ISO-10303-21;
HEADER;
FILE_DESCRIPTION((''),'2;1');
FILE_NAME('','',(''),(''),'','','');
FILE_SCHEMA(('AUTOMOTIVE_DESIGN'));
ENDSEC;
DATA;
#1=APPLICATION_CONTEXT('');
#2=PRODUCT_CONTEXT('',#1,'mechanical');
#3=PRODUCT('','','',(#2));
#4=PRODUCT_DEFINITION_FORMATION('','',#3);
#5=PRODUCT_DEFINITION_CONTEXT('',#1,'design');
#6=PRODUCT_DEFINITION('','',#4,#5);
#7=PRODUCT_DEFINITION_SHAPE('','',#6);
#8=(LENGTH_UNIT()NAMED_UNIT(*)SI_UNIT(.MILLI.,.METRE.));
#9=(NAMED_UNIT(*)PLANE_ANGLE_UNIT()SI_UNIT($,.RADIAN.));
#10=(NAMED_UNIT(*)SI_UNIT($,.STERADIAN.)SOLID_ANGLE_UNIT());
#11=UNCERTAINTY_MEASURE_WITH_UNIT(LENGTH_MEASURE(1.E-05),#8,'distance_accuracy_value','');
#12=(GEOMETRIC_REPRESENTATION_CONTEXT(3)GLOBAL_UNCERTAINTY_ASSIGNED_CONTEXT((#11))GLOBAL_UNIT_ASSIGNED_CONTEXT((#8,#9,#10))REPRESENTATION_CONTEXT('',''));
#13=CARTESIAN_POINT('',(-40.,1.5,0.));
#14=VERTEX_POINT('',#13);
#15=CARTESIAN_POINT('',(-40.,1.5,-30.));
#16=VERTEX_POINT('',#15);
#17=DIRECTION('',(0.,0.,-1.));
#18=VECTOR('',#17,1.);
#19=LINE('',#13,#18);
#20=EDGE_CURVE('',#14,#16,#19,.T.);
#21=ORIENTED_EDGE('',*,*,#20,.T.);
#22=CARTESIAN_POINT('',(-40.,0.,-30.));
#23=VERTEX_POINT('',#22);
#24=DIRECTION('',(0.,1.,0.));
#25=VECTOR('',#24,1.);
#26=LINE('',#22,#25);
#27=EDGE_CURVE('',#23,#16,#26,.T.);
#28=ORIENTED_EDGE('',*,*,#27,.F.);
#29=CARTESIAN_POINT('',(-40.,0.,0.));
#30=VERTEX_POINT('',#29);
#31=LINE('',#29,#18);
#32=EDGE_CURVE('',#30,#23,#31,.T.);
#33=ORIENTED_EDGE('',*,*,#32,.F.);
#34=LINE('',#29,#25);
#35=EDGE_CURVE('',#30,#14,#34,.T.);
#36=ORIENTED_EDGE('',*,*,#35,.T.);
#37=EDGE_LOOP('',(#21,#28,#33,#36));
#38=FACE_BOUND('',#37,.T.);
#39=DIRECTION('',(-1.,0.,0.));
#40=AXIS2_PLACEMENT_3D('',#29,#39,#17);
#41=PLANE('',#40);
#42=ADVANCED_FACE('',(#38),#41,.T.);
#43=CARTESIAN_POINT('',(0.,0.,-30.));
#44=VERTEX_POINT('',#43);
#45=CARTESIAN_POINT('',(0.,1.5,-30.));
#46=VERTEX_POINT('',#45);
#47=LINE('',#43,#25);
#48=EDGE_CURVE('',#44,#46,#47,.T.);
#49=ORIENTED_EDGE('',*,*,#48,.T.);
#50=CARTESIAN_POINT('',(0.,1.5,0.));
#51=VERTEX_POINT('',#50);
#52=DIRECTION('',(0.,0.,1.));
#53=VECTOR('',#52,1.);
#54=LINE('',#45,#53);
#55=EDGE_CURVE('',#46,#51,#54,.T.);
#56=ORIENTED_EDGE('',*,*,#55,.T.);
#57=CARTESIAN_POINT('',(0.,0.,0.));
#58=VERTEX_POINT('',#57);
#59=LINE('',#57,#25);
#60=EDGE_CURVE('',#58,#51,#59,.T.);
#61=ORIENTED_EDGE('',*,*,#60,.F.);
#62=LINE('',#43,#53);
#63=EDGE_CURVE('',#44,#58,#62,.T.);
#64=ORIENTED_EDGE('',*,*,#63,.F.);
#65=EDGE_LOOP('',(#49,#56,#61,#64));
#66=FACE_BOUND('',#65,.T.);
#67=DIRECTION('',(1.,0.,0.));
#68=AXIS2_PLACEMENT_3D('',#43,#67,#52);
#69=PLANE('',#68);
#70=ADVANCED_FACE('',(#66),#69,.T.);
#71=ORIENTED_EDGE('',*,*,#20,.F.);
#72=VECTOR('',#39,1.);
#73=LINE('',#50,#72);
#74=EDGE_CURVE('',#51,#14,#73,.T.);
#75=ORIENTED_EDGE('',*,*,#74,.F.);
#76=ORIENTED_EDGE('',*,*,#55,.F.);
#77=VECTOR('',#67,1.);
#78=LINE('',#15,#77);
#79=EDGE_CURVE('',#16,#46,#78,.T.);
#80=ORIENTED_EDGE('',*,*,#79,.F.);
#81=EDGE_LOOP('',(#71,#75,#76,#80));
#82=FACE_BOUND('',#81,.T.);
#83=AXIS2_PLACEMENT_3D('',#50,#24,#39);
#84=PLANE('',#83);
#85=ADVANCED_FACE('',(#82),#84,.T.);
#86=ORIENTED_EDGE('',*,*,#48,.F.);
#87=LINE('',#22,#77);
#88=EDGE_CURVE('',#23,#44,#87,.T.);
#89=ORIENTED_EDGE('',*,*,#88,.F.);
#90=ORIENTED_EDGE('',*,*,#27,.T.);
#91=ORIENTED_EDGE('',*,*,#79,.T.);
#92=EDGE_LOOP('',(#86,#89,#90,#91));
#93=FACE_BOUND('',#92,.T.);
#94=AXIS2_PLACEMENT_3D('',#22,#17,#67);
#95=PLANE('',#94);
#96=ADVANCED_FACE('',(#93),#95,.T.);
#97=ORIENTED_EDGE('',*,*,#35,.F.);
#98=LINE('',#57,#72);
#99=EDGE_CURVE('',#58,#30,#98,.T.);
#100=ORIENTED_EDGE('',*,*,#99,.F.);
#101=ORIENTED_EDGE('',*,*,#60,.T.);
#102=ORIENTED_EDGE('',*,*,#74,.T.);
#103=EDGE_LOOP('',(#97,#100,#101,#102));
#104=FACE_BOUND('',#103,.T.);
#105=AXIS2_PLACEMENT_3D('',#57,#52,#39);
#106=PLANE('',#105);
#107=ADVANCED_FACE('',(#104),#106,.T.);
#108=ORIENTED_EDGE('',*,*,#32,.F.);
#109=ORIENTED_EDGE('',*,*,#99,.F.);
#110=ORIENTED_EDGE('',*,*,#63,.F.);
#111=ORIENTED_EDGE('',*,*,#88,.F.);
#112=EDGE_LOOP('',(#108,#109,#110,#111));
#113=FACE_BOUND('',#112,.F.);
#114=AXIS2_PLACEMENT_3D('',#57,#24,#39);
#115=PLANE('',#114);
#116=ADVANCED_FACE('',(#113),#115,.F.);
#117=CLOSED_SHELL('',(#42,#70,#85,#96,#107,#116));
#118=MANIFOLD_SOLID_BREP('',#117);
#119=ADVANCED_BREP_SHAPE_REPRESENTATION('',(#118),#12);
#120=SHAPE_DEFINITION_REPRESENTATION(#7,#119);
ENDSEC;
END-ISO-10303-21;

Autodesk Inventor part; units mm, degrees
ref_plane "YZ Plane" through (0, 0, 0) normal (1, 0, 0) x (0, 1, 0)
ref_plane "XZ Plane" through (0, 0, 0) normal (0, 1, 0) x (-1, 0, 0)
ref_plane "XY Plane" through (0, 0, 0) normal (0, 0, 1) x (1, 0, 0)
sketch "スケッチ1" plane through (0, 0, 0) normal (0, 1, 0) x (-1, 0, 0)
  line L0 (0, 0) -> (40, 0)
  line L1 (40, 0) -> (40, -30)
  line L2 (40, -30) -> (0, -30)
  line L3 (0, -30) -> (0, 0)
  dimension "d0" = 40
  dimension "d1" = 30
extrude "押し出し1" add sketch "スケッチ1" along normal blind 1.5
properties part number "CORE_arm"
